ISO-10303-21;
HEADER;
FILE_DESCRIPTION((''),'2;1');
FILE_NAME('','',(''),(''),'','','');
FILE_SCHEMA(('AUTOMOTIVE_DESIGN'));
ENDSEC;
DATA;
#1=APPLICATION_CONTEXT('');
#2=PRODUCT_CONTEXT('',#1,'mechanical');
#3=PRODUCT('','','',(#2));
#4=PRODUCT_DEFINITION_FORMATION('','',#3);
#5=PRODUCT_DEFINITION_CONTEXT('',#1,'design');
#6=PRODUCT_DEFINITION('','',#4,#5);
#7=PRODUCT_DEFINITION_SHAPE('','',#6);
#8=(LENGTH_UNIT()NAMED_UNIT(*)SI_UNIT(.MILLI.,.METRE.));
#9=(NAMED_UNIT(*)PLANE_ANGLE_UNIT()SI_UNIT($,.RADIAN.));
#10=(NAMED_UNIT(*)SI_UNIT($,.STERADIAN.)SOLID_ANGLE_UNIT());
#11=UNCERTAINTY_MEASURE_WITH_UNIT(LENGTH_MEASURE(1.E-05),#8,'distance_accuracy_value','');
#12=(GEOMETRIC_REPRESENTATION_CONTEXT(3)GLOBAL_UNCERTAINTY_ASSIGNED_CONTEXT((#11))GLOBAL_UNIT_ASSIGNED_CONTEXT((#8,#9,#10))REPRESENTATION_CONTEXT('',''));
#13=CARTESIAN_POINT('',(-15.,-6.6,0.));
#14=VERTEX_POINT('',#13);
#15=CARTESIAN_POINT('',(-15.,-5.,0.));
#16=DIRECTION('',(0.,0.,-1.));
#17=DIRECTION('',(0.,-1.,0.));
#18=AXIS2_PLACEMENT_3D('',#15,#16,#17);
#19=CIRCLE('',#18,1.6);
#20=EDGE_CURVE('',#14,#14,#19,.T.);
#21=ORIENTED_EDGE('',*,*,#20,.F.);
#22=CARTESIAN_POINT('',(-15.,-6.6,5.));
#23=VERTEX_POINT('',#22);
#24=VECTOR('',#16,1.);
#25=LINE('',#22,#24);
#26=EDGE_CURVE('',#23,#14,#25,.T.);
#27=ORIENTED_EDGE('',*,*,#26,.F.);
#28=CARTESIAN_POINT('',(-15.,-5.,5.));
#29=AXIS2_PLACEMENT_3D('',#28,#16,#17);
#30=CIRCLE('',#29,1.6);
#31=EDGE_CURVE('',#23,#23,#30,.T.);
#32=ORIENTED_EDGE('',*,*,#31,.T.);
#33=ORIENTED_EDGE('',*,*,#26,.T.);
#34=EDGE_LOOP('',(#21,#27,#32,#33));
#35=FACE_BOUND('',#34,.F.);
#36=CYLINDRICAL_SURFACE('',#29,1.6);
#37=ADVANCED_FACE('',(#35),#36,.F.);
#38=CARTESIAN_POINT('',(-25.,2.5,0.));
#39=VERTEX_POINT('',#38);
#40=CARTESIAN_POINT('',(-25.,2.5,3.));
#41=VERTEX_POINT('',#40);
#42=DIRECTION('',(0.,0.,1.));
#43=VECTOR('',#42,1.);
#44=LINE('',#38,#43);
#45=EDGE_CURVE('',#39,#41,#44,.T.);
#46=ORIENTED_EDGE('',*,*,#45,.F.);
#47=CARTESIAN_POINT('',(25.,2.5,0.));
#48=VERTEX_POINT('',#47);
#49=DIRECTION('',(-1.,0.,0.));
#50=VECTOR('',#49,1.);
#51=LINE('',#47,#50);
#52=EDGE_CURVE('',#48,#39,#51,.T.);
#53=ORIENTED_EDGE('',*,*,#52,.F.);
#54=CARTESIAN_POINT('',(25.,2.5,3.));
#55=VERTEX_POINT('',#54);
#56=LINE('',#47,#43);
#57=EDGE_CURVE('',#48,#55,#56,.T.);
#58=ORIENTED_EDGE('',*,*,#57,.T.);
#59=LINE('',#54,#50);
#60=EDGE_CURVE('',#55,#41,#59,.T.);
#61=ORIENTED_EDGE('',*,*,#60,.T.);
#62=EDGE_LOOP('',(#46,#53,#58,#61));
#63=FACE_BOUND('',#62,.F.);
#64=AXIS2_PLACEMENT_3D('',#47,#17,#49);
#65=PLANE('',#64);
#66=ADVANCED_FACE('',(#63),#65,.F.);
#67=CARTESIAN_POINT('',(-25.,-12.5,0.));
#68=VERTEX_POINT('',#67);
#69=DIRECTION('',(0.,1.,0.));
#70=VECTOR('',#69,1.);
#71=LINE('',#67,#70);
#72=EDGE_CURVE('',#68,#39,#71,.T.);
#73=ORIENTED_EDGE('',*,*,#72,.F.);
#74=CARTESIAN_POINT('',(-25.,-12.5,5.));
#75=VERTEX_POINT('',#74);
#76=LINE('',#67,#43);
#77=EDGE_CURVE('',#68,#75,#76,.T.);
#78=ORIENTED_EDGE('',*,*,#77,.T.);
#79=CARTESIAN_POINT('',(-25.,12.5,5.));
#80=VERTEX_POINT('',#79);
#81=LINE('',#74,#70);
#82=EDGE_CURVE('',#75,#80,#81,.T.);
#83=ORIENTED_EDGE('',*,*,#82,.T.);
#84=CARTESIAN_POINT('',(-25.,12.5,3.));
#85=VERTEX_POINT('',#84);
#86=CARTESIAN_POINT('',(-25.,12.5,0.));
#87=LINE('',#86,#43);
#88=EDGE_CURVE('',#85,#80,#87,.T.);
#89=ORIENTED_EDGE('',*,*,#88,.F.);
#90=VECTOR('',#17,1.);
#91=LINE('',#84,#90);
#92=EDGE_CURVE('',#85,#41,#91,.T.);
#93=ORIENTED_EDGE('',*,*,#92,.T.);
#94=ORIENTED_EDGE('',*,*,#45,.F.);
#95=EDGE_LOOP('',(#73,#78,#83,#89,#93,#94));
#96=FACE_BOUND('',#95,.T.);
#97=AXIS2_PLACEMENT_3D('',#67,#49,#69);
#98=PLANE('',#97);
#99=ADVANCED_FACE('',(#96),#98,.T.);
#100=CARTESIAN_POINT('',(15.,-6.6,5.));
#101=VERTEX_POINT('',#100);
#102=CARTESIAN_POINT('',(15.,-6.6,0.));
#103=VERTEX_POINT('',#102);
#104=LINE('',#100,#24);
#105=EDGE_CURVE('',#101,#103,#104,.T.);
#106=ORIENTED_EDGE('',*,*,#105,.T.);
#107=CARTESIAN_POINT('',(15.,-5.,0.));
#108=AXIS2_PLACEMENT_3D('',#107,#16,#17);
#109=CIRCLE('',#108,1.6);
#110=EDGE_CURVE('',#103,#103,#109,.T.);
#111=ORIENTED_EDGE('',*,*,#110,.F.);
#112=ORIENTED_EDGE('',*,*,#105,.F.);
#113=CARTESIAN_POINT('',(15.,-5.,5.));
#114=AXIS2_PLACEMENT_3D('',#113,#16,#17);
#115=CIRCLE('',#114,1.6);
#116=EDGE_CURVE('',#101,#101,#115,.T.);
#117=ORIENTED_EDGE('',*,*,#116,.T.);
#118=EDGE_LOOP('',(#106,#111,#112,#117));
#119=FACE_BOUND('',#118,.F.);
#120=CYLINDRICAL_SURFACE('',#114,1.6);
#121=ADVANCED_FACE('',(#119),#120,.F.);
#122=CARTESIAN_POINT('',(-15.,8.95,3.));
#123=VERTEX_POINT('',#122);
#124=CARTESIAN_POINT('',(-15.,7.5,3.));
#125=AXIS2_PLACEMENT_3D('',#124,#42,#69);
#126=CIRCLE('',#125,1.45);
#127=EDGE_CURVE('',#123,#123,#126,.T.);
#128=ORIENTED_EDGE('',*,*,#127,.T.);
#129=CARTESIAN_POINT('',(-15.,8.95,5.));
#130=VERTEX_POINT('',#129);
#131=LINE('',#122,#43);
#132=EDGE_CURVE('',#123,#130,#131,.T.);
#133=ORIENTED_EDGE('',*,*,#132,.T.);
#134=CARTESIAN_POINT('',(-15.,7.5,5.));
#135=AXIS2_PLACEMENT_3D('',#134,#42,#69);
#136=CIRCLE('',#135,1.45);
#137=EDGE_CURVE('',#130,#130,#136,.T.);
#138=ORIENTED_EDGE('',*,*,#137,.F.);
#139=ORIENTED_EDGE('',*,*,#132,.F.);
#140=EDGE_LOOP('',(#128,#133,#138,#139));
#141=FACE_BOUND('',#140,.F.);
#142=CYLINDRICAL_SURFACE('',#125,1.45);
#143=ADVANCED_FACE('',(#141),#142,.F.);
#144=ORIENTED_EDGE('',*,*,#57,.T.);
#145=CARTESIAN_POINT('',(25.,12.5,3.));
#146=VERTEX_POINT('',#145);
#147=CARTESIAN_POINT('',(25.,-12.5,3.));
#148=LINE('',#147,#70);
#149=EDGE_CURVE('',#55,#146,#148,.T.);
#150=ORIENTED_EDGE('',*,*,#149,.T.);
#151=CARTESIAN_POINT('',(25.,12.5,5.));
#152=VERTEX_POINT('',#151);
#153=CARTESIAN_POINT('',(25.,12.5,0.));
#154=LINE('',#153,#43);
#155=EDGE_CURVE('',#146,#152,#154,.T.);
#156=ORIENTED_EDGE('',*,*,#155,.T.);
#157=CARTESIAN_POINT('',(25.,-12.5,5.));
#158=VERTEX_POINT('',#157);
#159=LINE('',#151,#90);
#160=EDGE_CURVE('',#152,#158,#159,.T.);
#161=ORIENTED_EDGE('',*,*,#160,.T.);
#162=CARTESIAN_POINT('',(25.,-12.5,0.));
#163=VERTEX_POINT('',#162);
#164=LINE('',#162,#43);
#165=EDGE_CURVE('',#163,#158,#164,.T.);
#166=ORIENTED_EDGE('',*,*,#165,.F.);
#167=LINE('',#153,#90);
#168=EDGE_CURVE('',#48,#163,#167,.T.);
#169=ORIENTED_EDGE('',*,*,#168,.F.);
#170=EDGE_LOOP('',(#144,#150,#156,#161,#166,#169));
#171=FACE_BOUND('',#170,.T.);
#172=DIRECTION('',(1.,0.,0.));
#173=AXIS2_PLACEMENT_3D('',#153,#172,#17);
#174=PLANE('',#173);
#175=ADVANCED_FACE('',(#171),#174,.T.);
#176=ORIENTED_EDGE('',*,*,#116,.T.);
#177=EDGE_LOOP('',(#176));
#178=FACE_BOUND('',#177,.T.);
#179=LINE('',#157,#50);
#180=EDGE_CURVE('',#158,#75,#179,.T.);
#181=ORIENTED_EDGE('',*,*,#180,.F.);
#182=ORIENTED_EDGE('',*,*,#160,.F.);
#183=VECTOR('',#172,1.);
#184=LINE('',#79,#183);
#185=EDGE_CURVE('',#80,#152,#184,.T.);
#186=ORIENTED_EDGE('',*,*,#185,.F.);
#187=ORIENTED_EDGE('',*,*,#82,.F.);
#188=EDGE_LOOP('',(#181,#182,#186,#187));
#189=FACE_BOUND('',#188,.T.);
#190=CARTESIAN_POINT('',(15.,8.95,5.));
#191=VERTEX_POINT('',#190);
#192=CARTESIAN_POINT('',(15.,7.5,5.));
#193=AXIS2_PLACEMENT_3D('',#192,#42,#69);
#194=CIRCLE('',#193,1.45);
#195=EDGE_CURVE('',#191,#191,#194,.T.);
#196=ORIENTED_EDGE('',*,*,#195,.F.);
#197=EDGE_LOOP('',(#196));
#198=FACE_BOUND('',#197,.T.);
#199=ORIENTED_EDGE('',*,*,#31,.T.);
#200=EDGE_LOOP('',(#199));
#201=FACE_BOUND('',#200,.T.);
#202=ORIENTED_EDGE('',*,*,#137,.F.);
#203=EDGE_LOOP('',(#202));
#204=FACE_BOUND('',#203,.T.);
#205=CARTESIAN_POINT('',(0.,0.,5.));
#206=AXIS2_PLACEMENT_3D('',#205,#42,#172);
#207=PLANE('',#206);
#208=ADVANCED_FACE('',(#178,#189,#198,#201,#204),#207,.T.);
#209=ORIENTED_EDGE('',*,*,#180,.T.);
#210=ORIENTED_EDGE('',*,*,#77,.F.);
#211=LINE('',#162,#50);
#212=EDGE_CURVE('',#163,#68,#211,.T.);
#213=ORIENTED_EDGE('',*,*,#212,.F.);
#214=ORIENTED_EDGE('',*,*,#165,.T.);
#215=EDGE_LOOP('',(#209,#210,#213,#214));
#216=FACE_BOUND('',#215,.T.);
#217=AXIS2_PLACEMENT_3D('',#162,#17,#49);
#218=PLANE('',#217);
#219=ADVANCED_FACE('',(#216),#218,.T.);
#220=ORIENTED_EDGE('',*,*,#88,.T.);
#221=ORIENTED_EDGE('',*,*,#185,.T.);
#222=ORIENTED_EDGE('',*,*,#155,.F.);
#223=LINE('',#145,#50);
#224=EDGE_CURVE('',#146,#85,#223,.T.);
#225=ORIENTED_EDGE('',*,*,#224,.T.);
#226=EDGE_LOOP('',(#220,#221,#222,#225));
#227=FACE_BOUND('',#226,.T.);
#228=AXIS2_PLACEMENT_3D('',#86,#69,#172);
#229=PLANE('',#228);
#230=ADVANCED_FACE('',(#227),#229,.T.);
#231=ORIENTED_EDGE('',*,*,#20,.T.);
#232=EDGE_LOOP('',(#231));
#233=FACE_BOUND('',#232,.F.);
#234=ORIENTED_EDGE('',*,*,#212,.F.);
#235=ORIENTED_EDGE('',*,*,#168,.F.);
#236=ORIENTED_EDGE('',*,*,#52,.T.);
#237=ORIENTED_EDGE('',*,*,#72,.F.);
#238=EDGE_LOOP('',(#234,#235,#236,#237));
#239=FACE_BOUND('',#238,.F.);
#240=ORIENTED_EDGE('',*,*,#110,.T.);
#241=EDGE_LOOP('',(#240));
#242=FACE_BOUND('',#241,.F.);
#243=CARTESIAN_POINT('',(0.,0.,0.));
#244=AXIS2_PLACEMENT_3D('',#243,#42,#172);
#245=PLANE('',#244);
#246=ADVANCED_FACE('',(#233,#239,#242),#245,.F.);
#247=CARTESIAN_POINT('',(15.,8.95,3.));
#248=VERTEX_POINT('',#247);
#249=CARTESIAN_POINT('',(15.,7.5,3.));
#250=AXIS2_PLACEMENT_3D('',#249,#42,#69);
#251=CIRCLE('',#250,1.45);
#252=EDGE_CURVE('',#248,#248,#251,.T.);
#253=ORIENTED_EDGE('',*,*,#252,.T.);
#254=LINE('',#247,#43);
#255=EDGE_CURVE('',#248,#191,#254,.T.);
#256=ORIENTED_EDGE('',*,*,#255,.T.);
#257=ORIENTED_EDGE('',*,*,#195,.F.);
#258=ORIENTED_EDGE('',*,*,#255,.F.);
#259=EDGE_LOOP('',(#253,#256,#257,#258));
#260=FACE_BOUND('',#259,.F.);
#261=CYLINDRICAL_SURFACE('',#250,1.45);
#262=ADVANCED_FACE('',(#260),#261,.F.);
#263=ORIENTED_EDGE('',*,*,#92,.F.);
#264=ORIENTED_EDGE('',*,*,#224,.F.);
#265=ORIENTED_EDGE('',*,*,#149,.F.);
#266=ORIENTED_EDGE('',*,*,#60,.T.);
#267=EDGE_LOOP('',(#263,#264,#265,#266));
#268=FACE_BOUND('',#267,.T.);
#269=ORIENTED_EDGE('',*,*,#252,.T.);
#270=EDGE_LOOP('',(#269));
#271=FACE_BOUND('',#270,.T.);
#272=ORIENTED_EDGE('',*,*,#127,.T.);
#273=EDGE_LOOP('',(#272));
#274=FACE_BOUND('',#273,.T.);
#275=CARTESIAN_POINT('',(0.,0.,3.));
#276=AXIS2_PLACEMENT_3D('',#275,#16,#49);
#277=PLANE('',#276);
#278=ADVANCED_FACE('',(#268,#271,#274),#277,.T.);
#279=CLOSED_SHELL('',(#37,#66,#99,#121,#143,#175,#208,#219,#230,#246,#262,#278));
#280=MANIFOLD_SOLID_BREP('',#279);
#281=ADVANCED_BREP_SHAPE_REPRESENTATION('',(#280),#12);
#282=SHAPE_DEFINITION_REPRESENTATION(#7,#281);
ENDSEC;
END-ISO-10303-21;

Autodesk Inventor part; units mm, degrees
ref_plane "YZ Plane" through (0, 0, 0) normal (1, 0, 0) x (0, 1, 0)
ref_plane "XZ Plane" through (0, 0, 0) normal (0, 1, 0) x (-1, 0, 0)
ref_plane "XY Plane" through (0, 0, 0) normal (0, 0, 1) x (1, 0, 0)
sketch "Sketch13" plane through (0, 0, 0) normal (0, 0, 1) x (1, 0, 0)
  line L0 (-25, 12.5) -> (25, 12.5)
  line L1 (25, 12.5) -> (25, -12.5)
  line L2 (25, -12.5) -> (-25, -12.5)
  line L3 (-25, -12.5) -> (-25, 12.5)
  line L4 (-25, 12.5) -> (25, -12.5) construction
  line L5 (25, 12.5) -> (-25, -12.5) construction
  point P0 (0, 0)
  dimension "d26" = 50
  dimension "d27" = 25
extrude "Extrusion14" add sketch "Sketch13" along normal blind 5
sketch "Sketch14" plane through (0, 0, 0) normal (0, 0, -1) x (-1, 0, 0)
  line L0 (25, -12.5) -> (-25, -12.5) projected
  line L1 (25, 12.5) -> (25, -12.5) projected
  line L2 (-25, 12.5) -> (25, 12.5) projected
  line L3 (-25, -12.5) -> (-25, 12.5) projected
  line L4 (-25, -12.5) -> (-25, 12.5) projected
  line L5 (-25, 2.5) -> (25, 2.5)
  line L6 (25, 12.5) -> (25, -12.5) projected
  point P0 (0, 0)
  point P1 (25, 2.5)
  dimension "d30" = 10
extrude "Extrusion15" cut sketch "Sketch14" against normal blind 3 contours L5 L3 L2 L1
sketch "Sketch16" plane through (0, 0, 3) normal (0, 0, -1) x (-1, 0, 0)
  line L0 (-25, 2.5) -> (-25, 12.5) projected
  line L1 (25, 2.5) -> (-25, 2.5) projected
  line L2 (25, 12.5) -> (25, 2.5) projected
  line L3 (-25, 12.5) -> (25, 12.5) projected
  point P0 (0, 0)
  point P1 (-15, 7.5)
  point P2 (15, 7.5)
  point P3 (-25, 7.5)
  point P4 (25, 7.5)
  dimension "d33" = 10
  dimension "d34" = 10
hole "Hole1" at (15, 7.5, 3) at (-15, 7.5, 3) direction (0, 0, 1) diameter 2.9 end through all
sketch "Sketch17" plane through (0, 0, 5) normal (0, 0, 1) x (1, 0, 0)
  line L0 (-25, 12.5) -> (-25, -12.5) projected
  line L1 (25, -12.5) -> (25, 12.5) projected
  point P0 (0, 0)
  point P1 (-15, -5)
  point P2 (15, -5)
  dimension "d42" = 7.5
  dimension "d43" = 10
  dimension "d44" = 10
hole "Hole2" at (-15, -5, 5) at (15, -5, 5) direction (0, 0, -1) diameter 3.2 end through all
equation "\"d34\" = d33"
equation "\"d44\" = d43"
properties part number "Beam Cover Bracket" material "ABS Plastic"
